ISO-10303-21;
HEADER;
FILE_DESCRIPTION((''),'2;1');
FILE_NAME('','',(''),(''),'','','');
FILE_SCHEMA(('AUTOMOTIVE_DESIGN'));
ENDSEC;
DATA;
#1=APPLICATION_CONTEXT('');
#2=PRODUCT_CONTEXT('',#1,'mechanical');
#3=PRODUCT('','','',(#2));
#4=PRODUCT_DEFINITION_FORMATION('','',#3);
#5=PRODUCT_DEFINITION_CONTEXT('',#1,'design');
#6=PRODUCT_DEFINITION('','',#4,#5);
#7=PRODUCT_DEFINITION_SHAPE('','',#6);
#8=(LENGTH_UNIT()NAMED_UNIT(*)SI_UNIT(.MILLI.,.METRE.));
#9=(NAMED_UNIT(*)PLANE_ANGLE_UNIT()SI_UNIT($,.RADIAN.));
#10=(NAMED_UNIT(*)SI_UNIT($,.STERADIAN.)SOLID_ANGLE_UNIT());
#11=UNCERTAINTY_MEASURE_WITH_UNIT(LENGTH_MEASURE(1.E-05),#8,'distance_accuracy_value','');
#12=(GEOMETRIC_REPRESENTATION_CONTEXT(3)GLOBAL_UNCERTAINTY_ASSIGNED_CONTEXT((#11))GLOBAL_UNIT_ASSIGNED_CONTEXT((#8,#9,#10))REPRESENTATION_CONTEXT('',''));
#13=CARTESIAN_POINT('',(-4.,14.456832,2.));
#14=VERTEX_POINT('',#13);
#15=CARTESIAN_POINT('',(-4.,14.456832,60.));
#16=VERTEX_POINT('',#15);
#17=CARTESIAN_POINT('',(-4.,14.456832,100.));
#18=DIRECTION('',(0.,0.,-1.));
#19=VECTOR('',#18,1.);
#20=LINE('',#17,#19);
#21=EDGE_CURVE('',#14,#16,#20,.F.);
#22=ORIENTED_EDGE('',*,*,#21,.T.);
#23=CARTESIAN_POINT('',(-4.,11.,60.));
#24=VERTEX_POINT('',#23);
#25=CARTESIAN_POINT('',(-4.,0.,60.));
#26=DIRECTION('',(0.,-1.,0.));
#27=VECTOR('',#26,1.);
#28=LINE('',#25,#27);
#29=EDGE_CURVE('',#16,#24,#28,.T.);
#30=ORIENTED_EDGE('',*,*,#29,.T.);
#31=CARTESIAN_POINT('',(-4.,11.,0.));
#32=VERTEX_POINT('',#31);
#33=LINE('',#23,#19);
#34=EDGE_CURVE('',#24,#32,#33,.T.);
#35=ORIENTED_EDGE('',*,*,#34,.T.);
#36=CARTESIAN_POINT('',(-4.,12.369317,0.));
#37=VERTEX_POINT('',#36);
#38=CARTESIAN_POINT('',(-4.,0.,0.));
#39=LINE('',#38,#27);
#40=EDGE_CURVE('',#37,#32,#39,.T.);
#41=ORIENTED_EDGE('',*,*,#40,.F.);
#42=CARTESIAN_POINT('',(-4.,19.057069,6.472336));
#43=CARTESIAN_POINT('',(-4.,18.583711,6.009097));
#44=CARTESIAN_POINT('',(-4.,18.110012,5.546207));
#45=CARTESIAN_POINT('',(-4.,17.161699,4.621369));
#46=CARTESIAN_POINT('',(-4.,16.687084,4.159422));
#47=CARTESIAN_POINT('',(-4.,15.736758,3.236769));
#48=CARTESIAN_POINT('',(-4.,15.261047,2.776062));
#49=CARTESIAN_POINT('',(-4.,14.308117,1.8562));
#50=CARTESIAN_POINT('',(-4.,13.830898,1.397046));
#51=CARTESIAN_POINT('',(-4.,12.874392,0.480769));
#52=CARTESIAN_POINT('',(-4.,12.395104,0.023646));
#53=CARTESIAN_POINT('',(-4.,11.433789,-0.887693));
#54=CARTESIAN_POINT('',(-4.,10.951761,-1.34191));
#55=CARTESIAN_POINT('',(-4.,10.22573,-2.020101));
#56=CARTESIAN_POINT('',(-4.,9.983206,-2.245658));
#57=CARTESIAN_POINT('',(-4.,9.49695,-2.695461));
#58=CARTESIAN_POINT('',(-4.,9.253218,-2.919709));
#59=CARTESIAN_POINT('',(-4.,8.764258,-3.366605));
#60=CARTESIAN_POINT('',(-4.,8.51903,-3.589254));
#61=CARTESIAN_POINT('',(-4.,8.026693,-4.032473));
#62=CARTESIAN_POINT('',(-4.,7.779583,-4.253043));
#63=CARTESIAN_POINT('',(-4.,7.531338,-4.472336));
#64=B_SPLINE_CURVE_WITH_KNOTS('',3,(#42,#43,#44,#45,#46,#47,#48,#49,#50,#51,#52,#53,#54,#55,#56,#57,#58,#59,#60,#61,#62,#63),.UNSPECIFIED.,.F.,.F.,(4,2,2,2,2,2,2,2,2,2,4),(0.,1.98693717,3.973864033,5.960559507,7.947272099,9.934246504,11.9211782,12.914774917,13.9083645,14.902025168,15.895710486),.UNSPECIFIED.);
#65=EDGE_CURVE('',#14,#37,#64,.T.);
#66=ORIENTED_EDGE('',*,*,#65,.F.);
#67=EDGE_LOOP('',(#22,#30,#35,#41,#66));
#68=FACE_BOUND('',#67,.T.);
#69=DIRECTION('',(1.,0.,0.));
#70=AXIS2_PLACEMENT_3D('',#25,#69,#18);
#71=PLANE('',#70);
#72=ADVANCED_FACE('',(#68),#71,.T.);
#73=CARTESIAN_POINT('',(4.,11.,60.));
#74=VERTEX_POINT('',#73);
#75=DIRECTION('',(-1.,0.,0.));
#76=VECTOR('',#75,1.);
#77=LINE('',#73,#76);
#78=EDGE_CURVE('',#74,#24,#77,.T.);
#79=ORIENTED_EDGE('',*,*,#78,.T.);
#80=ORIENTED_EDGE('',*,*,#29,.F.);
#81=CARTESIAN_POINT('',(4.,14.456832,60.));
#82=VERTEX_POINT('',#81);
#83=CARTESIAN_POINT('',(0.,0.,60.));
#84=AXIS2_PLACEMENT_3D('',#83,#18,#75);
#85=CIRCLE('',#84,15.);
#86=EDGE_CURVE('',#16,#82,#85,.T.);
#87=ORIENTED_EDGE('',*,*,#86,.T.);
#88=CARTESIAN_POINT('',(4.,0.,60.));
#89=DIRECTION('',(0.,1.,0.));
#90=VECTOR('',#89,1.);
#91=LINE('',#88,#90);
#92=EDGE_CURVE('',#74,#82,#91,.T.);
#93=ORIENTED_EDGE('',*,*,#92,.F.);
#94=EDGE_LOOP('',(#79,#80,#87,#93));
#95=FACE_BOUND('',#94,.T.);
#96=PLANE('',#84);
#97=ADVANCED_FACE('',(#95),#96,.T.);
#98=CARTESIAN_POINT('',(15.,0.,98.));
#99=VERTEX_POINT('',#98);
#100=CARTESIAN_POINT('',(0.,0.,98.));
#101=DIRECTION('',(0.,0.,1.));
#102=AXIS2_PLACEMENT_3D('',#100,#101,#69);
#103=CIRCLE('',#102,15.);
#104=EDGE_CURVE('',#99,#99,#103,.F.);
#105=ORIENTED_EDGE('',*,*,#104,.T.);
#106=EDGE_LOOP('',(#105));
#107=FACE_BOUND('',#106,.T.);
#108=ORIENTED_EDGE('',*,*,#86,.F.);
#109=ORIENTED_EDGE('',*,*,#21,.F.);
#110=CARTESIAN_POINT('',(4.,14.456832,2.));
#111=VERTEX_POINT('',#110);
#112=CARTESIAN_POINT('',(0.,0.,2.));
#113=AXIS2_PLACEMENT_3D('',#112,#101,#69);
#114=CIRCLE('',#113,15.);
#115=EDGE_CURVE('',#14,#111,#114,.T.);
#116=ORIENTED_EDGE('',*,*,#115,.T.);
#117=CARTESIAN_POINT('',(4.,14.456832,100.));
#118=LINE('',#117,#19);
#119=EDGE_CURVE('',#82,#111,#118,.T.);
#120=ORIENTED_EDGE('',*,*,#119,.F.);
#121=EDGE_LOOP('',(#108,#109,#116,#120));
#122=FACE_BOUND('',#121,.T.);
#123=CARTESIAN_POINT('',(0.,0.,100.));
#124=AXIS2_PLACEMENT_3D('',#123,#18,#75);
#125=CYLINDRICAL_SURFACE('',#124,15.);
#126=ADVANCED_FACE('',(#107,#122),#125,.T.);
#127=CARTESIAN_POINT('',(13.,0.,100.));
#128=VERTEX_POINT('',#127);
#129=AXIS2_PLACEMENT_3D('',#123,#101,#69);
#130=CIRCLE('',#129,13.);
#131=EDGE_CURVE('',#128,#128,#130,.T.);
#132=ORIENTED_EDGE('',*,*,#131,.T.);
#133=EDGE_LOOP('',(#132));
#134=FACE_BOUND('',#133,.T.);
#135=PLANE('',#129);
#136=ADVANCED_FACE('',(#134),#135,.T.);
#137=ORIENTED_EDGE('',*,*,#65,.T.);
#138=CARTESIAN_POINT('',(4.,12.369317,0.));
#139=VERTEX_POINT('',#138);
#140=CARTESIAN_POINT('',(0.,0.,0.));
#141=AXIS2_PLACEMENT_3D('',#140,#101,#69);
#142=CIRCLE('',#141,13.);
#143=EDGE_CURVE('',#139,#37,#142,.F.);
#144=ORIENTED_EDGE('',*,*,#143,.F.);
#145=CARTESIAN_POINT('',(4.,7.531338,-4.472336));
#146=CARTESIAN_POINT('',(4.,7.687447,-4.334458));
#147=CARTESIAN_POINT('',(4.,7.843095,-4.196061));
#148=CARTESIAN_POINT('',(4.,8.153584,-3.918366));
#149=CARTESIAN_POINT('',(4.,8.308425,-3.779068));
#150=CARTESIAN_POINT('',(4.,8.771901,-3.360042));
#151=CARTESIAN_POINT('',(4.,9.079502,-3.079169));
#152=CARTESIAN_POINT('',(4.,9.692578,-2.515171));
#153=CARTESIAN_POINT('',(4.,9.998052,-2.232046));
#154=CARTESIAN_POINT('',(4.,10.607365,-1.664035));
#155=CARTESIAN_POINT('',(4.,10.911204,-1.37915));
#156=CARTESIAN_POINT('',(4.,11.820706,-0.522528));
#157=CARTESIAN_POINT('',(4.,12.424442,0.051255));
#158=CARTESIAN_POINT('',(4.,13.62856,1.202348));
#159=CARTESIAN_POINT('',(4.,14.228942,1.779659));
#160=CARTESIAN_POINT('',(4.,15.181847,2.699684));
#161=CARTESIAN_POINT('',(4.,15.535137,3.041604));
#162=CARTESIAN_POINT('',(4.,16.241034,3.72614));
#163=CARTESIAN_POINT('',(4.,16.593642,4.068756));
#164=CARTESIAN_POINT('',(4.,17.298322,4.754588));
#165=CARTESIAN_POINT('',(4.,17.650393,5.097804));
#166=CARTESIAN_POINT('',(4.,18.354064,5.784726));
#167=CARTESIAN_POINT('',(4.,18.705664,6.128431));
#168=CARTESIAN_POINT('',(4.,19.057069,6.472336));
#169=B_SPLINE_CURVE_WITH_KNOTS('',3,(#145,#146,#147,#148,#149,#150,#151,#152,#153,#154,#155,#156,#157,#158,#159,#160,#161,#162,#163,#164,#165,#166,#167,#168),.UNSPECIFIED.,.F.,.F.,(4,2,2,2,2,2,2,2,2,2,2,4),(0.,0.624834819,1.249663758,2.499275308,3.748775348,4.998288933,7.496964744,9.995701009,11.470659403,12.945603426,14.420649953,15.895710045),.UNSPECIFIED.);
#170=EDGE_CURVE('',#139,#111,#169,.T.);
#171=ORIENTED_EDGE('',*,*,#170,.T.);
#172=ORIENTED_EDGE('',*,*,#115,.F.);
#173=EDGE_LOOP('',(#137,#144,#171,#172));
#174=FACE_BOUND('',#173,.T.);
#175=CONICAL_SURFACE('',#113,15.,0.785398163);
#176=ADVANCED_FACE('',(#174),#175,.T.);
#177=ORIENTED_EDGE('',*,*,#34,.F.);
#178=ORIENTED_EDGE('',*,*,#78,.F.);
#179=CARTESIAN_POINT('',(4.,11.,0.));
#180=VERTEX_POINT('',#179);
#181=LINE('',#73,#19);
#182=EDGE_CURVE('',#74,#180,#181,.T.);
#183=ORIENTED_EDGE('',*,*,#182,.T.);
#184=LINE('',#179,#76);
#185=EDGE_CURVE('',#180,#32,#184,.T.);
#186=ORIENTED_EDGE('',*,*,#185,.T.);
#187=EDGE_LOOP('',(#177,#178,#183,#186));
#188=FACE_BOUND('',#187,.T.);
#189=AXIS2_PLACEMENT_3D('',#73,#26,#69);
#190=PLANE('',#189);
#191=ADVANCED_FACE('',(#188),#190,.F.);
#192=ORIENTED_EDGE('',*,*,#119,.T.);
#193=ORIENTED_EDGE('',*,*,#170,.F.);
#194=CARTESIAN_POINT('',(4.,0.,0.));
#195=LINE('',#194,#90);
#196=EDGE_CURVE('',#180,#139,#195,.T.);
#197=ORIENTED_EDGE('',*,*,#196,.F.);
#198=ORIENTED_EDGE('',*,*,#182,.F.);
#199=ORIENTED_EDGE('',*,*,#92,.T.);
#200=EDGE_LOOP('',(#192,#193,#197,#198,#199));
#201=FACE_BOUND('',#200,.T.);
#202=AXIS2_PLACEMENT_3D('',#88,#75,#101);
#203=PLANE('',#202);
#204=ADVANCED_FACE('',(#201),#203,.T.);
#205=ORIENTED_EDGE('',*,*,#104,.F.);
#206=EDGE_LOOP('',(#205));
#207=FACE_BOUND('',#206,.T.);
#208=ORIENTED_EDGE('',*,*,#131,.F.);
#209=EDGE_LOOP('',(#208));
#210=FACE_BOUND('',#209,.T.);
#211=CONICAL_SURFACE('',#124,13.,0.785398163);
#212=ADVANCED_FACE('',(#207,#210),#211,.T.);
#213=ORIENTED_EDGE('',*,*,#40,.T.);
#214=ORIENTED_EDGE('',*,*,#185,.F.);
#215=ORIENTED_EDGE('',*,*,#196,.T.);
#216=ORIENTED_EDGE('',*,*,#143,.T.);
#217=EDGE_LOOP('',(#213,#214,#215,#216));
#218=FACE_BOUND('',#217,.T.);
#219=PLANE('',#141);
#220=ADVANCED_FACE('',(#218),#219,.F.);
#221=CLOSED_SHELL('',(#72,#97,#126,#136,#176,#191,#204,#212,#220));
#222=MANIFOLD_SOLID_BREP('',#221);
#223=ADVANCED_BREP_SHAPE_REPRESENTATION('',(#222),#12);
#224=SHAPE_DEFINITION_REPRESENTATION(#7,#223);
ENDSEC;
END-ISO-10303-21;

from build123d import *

# Parameters (mm, degrees)
SKETCH1_R           = 15
BOSS_EXTRUDE1_DEPTH = 100
CHAMFER1_SIZE       = 2
CHAMFER2_SIZE       = 2
CUT_EXTRUDE1_DEPTH  = 60


with BuildPart() as part:
    # Sketch1 → Boss-Extrude1 (new body)
    with BuildSketch(Plane.XY):
        Circle(SKETCH1_R)
    extrude(amount=BOSS_EXTRUDE1_DEPTH)

    # Chamfer1
    chamfer1_edges = [part.edges().sort_by_distance(p)[0] for p in [
        (-15, 0, 100),
    ]]
    chamfer(chamfer1_edges, length=CHAMFER1_SIZE)

    # Chamfer2
    chamfer2_edges = [part.edges().sort_by_distance(p)[0] for p in [
        (-15, 0, 0),
    ]]
    chamfer(chamfer2_edges, length=CHAMFER2_SIZE)

    # Sketch2 → Cut-Extrude1 (cut)
    with BuildSketch(Plane(origin=(0, 0, 0), x_dir=(-1, 0, 0), z_dir=(0, 0, -1))):
        Polygon((-4, 11), (4, 11), (4, 14.456832295), (4, 16.003421776), (-4, 16.003421776), (-4, 14.456832295), align=None)
    extrude(amount=-CUT_EXTRUDE1_DEPTH, mode=Mode.SUBTRACT)


solid = part.part
